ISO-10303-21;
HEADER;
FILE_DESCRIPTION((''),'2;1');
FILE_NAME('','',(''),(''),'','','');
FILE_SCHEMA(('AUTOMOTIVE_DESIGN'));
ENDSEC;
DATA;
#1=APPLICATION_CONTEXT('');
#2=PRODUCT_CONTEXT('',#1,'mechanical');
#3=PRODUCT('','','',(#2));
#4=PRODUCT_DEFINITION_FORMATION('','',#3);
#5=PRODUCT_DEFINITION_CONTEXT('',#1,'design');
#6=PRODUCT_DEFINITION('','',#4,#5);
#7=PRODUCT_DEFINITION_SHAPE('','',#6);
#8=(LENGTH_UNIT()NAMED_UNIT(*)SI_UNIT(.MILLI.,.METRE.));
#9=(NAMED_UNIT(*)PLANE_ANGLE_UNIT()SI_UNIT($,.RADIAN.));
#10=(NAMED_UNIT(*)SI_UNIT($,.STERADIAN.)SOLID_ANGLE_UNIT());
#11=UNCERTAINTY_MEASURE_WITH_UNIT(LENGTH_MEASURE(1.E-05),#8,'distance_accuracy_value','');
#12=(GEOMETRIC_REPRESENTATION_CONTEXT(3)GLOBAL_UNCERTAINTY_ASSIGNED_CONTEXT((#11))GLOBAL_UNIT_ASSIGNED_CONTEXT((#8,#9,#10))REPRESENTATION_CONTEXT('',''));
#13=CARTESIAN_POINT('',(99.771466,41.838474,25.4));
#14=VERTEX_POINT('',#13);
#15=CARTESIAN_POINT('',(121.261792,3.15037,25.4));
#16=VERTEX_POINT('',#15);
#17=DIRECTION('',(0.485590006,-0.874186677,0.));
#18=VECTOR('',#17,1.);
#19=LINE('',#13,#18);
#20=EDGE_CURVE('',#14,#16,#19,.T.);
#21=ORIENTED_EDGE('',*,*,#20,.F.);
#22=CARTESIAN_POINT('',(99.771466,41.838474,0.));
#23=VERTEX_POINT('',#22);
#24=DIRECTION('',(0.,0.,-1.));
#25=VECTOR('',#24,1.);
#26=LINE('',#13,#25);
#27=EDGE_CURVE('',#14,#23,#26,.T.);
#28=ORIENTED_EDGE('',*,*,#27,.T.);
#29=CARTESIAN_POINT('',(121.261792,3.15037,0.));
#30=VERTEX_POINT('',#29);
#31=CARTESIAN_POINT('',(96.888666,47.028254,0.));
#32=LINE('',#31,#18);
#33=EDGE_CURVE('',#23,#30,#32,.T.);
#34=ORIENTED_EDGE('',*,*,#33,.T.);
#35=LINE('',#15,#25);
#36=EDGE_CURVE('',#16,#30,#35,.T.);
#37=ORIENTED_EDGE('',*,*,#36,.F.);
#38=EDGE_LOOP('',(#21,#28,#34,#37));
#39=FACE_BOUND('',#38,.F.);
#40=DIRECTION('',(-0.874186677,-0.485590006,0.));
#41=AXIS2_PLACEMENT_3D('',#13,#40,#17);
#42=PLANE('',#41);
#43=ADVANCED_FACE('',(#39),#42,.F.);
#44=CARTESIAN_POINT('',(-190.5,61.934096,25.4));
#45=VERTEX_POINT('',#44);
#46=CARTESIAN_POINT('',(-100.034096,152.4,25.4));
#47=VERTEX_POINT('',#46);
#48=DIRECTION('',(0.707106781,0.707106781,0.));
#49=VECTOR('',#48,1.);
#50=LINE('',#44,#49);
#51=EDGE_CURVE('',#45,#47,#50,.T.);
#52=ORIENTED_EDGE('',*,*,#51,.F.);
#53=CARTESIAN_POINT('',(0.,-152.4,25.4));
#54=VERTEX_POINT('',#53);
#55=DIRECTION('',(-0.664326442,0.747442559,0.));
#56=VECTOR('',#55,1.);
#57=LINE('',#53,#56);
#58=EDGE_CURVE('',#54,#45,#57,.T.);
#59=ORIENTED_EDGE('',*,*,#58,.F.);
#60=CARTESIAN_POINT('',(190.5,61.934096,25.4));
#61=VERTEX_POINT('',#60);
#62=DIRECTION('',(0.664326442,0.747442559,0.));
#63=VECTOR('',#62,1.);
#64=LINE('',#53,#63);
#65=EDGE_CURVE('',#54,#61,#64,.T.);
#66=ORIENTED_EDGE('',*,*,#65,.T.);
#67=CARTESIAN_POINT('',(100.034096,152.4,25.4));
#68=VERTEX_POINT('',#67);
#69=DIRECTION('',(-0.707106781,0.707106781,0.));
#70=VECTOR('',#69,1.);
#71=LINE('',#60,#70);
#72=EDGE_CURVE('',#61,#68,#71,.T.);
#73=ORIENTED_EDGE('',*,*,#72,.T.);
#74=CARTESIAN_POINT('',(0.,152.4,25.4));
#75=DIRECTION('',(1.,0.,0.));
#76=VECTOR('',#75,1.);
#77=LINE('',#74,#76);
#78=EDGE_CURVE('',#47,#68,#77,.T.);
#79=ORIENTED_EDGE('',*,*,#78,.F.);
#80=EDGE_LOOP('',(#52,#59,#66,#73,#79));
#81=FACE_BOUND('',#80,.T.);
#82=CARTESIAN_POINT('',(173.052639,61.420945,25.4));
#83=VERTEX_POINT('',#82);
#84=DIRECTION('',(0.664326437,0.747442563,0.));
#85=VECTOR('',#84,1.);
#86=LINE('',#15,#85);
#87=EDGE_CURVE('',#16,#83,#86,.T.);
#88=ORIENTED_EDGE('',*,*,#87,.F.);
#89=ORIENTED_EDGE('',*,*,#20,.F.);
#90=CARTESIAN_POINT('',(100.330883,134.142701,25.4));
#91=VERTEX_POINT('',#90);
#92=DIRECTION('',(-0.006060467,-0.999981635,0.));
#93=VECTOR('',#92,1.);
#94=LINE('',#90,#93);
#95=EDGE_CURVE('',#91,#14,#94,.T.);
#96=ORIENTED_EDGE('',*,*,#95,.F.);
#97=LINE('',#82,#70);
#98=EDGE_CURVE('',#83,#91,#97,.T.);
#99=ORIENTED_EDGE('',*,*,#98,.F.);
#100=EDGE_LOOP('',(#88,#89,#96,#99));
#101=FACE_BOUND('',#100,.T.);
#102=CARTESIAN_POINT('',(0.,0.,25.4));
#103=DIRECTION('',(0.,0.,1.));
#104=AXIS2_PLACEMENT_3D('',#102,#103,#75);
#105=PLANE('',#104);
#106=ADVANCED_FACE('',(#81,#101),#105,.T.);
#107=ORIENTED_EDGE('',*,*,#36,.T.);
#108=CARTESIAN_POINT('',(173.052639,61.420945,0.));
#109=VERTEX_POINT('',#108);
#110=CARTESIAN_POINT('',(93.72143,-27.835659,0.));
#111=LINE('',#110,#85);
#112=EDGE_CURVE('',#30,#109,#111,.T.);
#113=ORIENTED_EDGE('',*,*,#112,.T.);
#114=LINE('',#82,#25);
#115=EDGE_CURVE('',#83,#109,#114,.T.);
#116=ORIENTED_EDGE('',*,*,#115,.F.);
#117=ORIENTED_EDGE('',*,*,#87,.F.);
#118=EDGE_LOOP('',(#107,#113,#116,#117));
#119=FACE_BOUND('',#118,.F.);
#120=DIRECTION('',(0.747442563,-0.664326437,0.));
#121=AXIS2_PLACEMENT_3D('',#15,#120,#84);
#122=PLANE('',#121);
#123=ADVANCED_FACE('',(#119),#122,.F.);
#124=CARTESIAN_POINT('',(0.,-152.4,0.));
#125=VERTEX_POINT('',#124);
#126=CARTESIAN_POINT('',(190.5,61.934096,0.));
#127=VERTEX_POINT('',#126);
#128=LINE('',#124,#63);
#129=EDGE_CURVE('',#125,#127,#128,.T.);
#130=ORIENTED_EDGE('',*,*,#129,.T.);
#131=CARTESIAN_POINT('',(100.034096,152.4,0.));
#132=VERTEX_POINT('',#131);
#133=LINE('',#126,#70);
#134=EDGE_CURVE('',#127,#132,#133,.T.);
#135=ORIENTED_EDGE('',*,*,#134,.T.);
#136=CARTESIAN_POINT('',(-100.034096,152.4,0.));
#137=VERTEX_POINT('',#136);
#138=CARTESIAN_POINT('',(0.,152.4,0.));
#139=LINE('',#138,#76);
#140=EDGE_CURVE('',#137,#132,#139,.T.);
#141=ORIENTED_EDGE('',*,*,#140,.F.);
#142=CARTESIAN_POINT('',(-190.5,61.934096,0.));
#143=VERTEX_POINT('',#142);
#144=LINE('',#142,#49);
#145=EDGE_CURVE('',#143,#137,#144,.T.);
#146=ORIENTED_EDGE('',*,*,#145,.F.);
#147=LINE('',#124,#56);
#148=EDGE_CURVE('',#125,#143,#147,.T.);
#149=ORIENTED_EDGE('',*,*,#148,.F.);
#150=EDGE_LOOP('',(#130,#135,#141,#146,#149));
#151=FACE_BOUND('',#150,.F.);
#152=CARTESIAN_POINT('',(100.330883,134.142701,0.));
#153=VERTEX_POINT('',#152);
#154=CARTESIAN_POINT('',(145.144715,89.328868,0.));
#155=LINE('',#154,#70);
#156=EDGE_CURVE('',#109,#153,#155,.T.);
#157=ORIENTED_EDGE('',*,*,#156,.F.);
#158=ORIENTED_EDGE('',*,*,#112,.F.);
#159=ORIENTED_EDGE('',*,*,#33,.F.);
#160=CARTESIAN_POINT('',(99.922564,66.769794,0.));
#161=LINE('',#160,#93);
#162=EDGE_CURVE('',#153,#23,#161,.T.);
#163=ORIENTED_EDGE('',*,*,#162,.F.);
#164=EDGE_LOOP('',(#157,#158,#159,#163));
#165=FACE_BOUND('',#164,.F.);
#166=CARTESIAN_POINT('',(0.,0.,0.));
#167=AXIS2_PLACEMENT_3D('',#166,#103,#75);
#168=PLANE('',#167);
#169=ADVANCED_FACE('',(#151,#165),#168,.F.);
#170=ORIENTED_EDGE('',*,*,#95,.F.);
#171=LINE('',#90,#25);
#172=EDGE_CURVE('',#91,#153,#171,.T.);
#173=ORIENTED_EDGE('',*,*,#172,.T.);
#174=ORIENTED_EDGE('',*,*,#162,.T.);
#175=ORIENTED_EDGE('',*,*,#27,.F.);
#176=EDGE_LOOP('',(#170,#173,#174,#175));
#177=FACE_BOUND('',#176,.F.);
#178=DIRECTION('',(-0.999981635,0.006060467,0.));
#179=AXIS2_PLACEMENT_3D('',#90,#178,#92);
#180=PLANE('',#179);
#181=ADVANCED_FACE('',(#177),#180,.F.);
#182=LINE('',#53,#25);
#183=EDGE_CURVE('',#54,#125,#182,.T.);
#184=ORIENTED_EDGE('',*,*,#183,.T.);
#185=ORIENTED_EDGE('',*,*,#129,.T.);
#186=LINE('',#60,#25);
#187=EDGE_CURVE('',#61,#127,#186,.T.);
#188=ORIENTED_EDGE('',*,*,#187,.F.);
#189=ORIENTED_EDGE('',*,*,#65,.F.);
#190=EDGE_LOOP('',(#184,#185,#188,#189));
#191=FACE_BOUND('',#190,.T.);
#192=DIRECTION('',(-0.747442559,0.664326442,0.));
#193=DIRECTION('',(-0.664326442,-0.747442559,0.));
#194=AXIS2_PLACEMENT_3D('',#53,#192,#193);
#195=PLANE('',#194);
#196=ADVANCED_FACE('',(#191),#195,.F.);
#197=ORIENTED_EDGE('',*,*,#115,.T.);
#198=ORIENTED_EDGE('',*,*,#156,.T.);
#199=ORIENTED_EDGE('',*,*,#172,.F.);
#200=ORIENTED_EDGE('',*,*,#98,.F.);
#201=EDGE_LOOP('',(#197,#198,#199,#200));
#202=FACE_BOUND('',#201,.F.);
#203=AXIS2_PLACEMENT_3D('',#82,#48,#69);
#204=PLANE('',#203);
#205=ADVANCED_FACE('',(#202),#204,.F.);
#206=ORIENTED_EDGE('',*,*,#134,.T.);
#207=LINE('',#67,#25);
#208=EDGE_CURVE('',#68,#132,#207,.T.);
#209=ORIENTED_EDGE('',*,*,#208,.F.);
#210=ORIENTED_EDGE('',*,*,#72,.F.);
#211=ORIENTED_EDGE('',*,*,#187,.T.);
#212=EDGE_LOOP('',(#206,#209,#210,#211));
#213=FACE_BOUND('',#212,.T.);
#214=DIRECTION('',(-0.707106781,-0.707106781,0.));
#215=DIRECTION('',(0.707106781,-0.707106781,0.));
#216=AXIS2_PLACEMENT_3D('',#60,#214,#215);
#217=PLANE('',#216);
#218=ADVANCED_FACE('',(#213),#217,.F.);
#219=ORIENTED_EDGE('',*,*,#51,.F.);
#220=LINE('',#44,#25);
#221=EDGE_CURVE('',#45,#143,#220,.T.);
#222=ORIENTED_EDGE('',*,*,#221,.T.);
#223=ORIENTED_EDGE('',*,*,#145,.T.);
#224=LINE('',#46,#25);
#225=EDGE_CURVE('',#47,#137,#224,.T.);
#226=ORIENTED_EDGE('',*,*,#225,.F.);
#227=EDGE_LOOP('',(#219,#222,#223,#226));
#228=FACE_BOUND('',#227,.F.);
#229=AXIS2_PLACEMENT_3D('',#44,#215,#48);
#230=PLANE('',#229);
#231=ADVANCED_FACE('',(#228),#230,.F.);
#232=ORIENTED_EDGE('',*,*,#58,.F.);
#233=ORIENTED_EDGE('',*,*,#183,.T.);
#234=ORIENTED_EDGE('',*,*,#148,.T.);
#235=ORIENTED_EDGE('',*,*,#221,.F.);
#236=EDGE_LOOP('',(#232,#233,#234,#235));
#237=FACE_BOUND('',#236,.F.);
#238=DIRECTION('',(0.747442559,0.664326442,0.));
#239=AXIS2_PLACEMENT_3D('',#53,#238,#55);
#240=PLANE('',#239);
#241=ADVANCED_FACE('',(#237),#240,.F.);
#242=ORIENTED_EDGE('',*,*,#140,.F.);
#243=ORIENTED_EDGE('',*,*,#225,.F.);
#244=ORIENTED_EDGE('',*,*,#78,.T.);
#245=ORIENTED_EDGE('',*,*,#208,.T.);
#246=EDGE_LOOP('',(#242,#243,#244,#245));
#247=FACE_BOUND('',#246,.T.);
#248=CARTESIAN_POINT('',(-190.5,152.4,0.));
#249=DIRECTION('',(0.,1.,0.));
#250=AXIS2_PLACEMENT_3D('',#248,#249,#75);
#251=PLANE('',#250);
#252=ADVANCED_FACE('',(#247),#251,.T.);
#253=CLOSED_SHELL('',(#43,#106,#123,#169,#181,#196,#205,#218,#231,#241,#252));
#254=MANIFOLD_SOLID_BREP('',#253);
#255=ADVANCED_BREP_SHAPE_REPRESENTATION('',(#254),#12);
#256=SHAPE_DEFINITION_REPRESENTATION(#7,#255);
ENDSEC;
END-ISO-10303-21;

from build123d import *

# Parameters (mm, degrees)
F0_W     = 381
F0_H     = 304.8
F1_DEPTH = 25.4
F3_DEPTH = 25.4
F6_DEPTH = 25.401


with BuildPart() as f1:
    # F0 (on Top) → F1 (new body)
    with BuildSketch(Plane.XY):
        Rectangle(F0_W, F0_H)
    extrude(amount=F1_DEPTH)

    # F2 (on face) → F3 (cut)
    with BuildSketch(Plane.XY.offset(25.4)):
        Polygon((-190.5, 152.4), (-190.5, 61.934096), (-100.034096, 152.4), align=None)
        Polygon((0, -152.4), (-190.5, 61.934096), (-190.5, -152.4), align=None)
    extrude(amount=-F3_DEPTH, mode=Mode.SUBTRACT)

    # F4: F1 across plane


with BuildPart() as f1_1:
    add(f1.part)
    add(f1.part.mirror(Plane.YZ), mode=Mode.INTERSECT)

    # F5 (on face) → F6 (cut, through all)
    with BuildSketch(Plane.XY.offset(25.4)):
        Polygon((173.052639, 61.420945), (100.330883, 134.142701), (99.771466, 41.838474), (121.261792, 3.15037), align=None)
    extrude(amount=-F6_DEPTH, mode=Mode.SUBTRACT)


solid = f1_1.part
